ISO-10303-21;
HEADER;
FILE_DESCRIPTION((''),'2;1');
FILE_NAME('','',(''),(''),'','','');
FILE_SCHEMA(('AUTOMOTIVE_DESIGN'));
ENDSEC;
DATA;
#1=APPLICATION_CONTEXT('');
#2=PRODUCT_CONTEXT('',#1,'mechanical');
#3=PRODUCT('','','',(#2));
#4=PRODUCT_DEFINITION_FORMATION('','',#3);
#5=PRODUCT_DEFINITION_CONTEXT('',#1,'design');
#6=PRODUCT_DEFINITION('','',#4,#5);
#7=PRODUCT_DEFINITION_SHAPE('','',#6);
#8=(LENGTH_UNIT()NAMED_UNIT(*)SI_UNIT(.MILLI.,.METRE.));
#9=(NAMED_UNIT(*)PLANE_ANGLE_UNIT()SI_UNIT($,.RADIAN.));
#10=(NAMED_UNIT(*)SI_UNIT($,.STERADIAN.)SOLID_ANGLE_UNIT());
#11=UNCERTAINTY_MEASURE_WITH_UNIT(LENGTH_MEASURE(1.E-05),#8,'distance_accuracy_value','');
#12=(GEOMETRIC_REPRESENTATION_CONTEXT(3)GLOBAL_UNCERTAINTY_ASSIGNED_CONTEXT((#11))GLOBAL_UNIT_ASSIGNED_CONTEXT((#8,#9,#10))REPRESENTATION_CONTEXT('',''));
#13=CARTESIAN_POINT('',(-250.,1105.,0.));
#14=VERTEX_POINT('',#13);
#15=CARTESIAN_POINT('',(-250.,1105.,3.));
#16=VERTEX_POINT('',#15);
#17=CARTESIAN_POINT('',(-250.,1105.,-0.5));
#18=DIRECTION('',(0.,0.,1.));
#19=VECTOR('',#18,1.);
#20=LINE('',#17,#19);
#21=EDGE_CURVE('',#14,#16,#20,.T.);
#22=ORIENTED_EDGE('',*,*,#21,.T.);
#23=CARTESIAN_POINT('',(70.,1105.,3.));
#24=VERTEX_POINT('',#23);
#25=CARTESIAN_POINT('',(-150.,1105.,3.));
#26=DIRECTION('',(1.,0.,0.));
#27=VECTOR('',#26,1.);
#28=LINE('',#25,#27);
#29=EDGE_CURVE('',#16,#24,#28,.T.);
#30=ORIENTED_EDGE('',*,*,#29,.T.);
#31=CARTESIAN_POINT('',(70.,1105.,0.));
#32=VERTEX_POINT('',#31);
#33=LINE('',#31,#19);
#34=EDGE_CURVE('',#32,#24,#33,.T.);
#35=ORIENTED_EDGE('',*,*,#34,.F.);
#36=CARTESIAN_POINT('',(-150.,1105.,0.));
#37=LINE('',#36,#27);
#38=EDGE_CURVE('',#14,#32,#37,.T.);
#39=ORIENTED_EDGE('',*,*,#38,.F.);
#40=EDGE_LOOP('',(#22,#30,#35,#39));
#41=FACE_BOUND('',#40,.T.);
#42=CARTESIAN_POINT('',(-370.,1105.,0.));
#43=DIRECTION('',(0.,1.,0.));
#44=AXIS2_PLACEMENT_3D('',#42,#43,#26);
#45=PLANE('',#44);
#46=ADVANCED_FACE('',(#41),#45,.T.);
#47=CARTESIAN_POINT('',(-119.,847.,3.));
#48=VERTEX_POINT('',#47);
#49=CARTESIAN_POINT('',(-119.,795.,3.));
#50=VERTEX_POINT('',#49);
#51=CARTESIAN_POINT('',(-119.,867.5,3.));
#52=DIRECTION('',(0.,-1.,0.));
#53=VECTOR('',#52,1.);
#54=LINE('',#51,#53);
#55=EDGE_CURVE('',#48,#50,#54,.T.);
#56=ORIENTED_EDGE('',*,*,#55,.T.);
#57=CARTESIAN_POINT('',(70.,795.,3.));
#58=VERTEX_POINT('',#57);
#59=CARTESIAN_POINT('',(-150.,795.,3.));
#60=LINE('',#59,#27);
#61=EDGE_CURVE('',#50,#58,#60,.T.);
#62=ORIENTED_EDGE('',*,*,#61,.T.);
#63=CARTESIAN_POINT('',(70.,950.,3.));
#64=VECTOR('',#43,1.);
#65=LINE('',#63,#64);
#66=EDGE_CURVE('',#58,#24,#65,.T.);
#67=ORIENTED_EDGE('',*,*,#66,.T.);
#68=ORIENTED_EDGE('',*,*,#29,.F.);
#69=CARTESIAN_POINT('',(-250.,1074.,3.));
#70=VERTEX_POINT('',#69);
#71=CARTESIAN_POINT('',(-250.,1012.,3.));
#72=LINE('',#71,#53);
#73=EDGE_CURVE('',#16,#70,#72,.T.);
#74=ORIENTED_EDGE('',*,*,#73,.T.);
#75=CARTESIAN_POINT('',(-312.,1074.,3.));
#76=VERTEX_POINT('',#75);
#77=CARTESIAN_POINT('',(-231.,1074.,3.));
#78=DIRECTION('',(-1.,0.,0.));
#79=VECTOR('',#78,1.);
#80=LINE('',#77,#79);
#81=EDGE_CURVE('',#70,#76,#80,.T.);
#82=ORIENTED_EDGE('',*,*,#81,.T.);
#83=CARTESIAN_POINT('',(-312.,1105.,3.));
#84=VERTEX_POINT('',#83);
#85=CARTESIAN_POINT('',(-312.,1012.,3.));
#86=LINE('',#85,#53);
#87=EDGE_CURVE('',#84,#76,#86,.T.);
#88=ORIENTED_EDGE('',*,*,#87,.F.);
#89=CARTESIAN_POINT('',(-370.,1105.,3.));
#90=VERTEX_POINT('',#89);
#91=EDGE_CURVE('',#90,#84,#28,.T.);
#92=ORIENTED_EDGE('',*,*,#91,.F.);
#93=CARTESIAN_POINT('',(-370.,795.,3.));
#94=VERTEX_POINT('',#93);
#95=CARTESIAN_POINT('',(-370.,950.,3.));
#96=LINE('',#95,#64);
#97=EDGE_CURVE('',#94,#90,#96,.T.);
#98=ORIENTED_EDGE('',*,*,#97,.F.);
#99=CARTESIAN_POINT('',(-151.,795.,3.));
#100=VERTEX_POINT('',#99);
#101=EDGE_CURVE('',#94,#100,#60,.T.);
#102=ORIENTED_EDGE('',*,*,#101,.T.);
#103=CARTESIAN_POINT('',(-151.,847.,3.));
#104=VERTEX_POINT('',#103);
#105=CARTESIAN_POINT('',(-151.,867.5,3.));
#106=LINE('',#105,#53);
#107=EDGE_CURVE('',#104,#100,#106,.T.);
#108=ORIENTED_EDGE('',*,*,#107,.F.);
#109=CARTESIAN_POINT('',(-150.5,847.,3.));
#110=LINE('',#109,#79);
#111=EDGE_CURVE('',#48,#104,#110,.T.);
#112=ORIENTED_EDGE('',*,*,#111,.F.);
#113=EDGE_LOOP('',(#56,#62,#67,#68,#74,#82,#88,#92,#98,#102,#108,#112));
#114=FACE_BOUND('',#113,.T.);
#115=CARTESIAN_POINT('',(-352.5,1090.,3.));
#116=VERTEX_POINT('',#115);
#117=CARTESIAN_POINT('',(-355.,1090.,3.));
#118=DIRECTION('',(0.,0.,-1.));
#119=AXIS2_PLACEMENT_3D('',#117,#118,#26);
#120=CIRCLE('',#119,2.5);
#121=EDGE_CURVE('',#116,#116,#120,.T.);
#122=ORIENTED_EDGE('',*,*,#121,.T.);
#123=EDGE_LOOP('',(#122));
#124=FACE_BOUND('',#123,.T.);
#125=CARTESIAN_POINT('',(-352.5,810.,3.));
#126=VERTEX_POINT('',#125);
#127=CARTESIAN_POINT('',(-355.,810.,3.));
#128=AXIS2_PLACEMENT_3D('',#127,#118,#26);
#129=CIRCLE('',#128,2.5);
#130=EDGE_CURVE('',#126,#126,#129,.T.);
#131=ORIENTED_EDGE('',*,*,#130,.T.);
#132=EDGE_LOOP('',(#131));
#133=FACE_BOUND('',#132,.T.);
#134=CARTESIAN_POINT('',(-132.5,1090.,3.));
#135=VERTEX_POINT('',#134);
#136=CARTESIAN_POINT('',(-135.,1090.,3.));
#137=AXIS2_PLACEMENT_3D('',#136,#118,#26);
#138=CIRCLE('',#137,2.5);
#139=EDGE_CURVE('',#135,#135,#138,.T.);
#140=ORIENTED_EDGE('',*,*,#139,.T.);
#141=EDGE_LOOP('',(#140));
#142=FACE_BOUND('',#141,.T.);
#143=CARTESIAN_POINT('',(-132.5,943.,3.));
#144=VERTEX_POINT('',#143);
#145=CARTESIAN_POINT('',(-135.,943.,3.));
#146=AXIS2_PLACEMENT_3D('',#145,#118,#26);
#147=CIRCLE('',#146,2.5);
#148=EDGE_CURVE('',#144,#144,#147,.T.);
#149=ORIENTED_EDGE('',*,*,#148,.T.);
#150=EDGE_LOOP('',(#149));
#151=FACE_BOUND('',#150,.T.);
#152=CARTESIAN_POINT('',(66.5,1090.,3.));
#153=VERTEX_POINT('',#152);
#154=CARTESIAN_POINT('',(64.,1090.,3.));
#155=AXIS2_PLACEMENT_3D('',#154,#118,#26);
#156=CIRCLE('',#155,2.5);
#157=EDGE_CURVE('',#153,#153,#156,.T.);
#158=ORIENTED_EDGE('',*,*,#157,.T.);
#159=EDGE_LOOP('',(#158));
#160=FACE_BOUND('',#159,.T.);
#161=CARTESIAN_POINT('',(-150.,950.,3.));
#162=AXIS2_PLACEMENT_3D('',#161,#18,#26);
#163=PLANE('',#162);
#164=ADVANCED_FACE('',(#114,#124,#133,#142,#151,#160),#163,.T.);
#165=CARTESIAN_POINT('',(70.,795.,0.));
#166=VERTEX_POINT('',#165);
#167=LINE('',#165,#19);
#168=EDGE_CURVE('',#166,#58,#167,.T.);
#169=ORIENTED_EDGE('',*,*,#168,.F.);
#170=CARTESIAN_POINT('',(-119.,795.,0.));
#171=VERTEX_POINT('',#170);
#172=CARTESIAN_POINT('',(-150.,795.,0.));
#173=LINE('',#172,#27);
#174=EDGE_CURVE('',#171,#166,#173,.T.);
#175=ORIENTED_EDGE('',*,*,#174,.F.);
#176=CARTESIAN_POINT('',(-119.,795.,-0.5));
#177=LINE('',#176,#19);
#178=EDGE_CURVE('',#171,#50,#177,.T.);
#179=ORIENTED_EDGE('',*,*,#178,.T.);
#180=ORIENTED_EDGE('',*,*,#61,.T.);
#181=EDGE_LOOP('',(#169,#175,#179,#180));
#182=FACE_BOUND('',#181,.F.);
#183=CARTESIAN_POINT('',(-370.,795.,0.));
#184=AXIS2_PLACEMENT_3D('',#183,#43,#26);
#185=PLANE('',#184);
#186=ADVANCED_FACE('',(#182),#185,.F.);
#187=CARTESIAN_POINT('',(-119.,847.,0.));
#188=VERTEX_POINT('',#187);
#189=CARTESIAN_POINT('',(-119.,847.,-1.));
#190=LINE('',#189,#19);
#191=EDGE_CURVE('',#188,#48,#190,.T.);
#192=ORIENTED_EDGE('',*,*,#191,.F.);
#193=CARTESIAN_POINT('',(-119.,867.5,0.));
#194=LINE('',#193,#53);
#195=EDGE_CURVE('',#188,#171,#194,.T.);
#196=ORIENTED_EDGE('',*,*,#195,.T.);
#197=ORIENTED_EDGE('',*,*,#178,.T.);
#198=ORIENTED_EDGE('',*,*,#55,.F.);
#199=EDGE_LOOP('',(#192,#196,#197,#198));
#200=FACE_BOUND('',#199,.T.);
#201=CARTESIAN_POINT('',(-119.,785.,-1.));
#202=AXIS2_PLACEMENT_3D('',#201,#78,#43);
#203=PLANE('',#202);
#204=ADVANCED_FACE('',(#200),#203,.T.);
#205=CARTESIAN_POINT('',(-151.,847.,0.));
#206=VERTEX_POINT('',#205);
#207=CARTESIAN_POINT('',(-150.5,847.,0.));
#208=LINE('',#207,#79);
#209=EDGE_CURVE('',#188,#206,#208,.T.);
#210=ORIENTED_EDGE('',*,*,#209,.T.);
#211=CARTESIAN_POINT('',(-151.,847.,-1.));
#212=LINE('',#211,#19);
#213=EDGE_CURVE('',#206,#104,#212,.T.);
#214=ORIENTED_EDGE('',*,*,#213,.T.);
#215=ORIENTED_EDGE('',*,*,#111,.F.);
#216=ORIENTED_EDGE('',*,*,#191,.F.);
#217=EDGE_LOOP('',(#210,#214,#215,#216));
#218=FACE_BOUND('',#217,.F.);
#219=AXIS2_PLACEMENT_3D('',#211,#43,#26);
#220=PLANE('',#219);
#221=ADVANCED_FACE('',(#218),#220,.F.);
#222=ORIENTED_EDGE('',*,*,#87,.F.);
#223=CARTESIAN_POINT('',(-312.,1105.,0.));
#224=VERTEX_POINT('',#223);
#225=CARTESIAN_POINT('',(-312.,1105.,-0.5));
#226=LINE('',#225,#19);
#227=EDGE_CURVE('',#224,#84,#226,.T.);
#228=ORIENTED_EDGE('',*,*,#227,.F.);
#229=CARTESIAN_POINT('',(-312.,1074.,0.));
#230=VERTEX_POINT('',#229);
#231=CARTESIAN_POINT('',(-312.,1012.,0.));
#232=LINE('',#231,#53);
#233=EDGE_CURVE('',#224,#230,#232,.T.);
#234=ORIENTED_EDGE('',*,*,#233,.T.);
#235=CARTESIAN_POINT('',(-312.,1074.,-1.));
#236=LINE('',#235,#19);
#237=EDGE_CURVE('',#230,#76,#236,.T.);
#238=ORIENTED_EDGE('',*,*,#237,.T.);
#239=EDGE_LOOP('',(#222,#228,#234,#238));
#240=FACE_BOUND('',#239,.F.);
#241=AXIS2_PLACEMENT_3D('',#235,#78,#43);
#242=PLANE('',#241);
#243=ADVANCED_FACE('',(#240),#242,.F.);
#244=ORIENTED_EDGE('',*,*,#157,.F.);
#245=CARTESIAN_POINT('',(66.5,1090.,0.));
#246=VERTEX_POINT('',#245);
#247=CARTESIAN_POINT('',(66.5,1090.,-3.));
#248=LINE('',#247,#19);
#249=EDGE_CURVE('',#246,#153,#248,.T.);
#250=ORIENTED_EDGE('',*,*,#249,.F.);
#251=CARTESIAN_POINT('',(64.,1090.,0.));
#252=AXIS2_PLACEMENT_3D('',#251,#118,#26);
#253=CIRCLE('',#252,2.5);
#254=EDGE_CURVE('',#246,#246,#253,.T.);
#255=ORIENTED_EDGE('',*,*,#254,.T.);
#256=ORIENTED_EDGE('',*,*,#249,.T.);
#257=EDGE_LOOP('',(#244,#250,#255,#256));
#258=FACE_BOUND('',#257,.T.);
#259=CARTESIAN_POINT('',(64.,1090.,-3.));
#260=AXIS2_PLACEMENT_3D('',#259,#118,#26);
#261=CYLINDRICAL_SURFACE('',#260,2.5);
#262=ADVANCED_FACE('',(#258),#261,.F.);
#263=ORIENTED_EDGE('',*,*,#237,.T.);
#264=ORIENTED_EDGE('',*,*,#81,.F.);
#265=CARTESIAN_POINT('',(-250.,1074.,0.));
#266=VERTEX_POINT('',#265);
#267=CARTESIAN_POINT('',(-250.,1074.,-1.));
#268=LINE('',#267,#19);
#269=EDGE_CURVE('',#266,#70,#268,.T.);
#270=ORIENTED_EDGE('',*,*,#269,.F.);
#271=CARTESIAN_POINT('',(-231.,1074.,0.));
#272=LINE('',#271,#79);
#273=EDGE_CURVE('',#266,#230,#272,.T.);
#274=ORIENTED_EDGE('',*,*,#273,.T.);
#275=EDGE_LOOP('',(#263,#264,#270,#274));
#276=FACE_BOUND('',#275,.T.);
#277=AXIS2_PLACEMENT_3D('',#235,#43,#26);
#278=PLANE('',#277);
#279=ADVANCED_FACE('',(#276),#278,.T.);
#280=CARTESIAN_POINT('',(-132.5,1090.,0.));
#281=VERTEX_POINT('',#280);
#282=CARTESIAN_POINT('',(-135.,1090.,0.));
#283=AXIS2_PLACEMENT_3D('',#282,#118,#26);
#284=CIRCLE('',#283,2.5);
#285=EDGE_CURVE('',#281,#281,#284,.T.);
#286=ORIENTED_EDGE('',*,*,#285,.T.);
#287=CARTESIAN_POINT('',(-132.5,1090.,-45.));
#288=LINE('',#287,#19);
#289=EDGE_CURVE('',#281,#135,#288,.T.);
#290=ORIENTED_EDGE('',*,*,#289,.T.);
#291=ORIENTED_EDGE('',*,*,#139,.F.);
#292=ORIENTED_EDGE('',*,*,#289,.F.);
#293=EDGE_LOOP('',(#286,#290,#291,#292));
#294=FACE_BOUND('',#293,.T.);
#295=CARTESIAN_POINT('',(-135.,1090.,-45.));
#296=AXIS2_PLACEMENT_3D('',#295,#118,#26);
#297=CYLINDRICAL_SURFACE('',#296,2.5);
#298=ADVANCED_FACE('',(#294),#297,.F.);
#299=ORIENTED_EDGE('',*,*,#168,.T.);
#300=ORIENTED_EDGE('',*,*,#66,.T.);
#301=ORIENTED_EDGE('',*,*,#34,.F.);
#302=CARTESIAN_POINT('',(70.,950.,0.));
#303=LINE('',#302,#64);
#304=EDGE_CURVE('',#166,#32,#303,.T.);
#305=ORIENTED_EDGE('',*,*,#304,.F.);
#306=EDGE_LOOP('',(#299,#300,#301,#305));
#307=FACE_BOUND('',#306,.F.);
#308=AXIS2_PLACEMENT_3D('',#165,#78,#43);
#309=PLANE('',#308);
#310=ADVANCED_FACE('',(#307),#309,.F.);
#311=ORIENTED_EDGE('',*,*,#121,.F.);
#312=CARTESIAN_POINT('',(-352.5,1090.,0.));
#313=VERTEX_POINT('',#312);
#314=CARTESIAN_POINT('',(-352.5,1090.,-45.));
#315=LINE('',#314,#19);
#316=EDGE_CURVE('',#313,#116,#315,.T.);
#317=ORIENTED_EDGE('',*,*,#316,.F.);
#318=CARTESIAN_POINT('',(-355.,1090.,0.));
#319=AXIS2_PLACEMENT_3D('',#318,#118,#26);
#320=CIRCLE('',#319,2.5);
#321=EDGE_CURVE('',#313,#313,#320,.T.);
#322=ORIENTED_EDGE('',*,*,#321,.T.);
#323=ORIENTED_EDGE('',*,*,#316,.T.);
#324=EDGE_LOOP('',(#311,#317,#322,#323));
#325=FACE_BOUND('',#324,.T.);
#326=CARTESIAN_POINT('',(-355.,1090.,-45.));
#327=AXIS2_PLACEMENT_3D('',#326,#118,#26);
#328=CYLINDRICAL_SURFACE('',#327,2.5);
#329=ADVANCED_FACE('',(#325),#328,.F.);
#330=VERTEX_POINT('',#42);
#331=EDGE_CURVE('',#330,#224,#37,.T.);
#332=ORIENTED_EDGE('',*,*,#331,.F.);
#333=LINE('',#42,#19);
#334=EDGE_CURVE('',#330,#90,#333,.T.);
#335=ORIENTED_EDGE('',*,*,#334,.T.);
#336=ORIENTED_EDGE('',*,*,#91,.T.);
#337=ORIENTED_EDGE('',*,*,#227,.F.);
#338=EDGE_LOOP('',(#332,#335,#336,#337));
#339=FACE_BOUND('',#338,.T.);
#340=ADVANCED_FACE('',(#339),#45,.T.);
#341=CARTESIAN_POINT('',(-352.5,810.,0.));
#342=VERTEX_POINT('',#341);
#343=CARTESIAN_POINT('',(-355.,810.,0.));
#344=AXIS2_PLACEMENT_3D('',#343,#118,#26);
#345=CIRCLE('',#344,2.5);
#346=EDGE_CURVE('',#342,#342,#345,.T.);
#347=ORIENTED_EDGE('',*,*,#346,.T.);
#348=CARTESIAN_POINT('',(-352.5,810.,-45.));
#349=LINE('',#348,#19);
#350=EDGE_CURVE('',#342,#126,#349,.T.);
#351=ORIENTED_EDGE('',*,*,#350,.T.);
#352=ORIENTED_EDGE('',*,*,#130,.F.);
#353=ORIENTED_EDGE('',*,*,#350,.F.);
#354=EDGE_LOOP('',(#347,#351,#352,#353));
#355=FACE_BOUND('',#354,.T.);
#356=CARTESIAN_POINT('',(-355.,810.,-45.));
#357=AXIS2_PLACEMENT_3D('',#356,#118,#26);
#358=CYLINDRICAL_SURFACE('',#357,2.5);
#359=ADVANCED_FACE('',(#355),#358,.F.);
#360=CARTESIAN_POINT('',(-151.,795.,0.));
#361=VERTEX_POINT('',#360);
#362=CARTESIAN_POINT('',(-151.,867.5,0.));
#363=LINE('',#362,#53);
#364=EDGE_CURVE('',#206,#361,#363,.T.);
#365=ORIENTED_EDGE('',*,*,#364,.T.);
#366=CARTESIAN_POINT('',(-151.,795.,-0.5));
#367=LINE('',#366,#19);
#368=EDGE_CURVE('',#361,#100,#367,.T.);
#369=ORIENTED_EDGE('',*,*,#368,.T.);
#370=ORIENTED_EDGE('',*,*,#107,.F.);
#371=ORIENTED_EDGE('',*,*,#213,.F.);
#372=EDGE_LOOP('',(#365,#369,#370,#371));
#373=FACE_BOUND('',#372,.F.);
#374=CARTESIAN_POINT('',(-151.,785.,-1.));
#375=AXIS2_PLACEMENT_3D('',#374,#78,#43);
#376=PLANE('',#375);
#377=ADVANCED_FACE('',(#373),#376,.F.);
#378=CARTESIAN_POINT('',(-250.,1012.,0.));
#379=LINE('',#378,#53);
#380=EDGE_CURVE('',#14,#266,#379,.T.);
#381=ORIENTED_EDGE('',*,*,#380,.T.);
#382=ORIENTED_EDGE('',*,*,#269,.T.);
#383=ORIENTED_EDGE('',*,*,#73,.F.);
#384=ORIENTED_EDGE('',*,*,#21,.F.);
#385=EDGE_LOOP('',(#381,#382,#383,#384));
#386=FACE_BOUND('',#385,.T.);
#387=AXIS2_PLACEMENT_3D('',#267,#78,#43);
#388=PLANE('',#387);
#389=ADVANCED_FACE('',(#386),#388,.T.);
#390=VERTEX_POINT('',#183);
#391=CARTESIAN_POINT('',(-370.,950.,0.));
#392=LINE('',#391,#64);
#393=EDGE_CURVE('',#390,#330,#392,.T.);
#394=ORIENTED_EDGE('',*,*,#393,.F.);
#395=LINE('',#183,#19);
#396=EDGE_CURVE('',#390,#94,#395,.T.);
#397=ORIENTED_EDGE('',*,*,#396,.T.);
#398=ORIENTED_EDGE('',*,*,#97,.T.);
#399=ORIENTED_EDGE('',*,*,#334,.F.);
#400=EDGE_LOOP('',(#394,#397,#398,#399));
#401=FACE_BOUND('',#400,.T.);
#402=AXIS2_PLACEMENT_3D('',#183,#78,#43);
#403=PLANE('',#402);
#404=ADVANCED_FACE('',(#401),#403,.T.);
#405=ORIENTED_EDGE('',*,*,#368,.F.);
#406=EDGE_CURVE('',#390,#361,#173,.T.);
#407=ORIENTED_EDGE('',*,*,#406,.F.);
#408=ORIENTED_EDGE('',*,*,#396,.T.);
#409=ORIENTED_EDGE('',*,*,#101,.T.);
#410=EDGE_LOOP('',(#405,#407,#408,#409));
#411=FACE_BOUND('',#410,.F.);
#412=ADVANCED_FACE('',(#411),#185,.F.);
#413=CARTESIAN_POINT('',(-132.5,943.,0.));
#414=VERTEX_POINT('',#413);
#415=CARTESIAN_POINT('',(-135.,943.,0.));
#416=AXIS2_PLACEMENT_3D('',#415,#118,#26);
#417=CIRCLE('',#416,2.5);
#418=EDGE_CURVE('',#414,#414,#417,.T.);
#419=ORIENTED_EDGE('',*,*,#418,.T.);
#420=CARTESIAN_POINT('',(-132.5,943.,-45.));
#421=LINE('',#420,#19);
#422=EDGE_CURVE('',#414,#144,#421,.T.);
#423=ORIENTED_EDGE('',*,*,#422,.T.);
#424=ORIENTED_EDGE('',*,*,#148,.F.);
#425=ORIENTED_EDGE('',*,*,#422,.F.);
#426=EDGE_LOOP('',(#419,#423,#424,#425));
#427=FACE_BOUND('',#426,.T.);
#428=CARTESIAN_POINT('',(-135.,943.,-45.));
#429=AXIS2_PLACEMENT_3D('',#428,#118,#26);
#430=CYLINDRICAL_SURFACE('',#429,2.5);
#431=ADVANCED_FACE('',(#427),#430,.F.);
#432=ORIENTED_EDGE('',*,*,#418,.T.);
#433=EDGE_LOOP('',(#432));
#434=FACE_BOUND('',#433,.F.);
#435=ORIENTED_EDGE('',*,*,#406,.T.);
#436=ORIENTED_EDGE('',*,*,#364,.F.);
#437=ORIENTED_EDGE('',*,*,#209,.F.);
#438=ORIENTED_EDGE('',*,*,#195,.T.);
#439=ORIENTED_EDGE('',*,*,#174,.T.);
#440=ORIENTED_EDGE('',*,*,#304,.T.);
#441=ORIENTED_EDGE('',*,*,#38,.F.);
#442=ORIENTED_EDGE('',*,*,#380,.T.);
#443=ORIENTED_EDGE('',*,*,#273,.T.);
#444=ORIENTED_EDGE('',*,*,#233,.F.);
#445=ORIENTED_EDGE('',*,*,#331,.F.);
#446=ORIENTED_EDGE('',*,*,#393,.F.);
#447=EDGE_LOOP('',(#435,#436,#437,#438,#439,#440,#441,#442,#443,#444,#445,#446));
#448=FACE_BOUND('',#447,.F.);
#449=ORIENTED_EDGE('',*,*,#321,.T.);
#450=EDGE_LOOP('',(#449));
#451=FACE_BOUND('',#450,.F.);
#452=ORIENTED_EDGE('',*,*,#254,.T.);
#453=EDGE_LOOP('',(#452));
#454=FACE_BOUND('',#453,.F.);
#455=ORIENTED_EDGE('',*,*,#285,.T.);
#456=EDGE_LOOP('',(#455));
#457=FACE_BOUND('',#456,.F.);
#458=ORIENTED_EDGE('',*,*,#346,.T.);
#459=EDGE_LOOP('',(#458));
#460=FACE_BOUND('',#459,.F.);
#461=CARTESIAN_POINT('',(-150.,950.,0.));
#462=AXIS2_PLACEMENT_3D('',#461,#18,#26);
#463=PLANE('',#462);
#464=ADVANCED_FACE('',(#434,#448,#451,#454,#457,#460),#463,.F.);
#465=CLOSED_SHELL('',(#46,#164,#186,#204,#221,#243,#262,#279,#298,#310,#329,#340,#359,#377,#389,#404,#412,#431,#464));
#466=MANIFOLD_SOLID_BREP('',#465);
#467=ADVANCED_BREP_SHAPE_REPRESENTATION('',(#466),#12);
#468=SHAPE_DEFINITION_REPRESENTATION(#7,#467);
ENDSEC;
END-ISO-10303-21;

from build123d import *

# Parameters (mm, degrees)
BOX002_W          = 32
BOX002_H          = 62
BOX002_DEPTH      = 9
CYLINDER_R        = 2.5
CYLINDER_DEPTH    = 10
CYLINDER001_R     = 2.5
CYLINDER001_DEPTH = 100
CYLINDER002_R     = 2.5
CYLINDER002_DEPTH = 100
CYLINDER003_R     = 2.5
CYLINDER003_DEPTH = 100
CYLINDER004_R     = 2.5
CYLINDER004_DEPTH = 100
BOX001_W          = 62
BOX001_H          = 32
BOX001_DEPTH      = 9
BOX_W             = 440
BOX_H             = 310
BOX_DEPTH         = 3


with BuildPart() as electronics_base002:
    # Box002 → Box002 (new body)
    with BuildSketch(Plane(origin=(-151, 785, -1), x_dir=(1, 0, 0), z_dir=(0, 0, 1))):
        with Locations((16, 31)):
            Rectangle(BOX002_W, BOX002_H)
    extrude(amount=BOX002_DEPTH)


with BuildPart() as cylinder:
    # Cylinder → Cylinder (new body)
    with BuildSketch(Plane(origin=(64, 1090, -3), x_dir=(1, 0, 0), z_dir=(0, 0, 1))):
        Circle(CYLINDER_R)
    extrude(amount=CYLINDER_DEPTH)


with BuildPart() as cylinder001:
    # Cylinder001 → Cylinder001 (new body)
    with BuildSketch(Plane(origin=(-135, 1090, -45), x_dir=(1, 0, 0), z_dir=(0, 0, 1))):
        Circle(CYLINDER001_R)
    extrude(amount=CYLINDER001_DEPTH)


with BuildPart() as cylinder002:
    # Cylinder002 → Cylinder002 (new body)
    with BuildSketch(Plane(origin=(-355, 1090, -45), x_dir=(1, 0, 0), z_dir=(0, 0, 1))):
        Circle(CYLINDER002_R)
    extrude(amount=CYLINDER002_DEPTH)


with BuildPart() as cylinder003:
    # Cylinder003 → Cylinder003 (new body)
    with BuildSketch(Plane(origin=(-355, 810, -45), x_dir=(1, 0, 0), z_dir=(0, 0, 1))):
        Circle(CYLINDER003_R)
    extrude(amount=CYLINDER003_DEPTH)


with BuildPart() as cylinder004:
    # Cylinder004 → Cylinder004 (new body)
    with BuildSketch(Plane(origin=(-135, 943, -45), x_dir=(1, 0, 0), z_dir=(0, 0, 1))):
        Circle(CYLINDER004_R)
    extrude(amount=CYLINDER004_DEPTH)


with BuildPart() as cuts_electronic_base:
    # Box001 → Box001 (new body)
    with BuildSketch(Plane(origin=(-312, 1074, -1), x_dir=(1, 0, 0), z_dir=(0, 0, 1))):
        with Locations((31, 16)):
            Rectangle(BOX001_W, BOX001_H)
    extrude(amount=BOX001_DEPTH)

    # Fusion001002: union electronics_base002, Cylinder, Cylinder001, Cylinder002, Cylinder003, Cylinder004
    add(electronics_base002.part)
    add(cylinder.part)
    add(cylinder001.part)
    add(cylinder002.part)
    add(cylinder003.part)
    add(cylinder004.part)


with BuildPart() as wood_electronic_base:
    # Box → Box (new body)
    with BuildSketch(Plane(origin=(-370, 795, 0), x_dir=(1, 0, 0), z_dir=(0, 0, 1))):
        with Locations((220, 155)):
            Rectangle(BOX_W, BOX_H)
    extrude(amount=BOX_DEPTH)

    # Cut: cut cuts_electronic_base
    add(cuts_electronic_base.part, mode=Mode.SUBTRACT)


solid = wood_electronic_base.part
